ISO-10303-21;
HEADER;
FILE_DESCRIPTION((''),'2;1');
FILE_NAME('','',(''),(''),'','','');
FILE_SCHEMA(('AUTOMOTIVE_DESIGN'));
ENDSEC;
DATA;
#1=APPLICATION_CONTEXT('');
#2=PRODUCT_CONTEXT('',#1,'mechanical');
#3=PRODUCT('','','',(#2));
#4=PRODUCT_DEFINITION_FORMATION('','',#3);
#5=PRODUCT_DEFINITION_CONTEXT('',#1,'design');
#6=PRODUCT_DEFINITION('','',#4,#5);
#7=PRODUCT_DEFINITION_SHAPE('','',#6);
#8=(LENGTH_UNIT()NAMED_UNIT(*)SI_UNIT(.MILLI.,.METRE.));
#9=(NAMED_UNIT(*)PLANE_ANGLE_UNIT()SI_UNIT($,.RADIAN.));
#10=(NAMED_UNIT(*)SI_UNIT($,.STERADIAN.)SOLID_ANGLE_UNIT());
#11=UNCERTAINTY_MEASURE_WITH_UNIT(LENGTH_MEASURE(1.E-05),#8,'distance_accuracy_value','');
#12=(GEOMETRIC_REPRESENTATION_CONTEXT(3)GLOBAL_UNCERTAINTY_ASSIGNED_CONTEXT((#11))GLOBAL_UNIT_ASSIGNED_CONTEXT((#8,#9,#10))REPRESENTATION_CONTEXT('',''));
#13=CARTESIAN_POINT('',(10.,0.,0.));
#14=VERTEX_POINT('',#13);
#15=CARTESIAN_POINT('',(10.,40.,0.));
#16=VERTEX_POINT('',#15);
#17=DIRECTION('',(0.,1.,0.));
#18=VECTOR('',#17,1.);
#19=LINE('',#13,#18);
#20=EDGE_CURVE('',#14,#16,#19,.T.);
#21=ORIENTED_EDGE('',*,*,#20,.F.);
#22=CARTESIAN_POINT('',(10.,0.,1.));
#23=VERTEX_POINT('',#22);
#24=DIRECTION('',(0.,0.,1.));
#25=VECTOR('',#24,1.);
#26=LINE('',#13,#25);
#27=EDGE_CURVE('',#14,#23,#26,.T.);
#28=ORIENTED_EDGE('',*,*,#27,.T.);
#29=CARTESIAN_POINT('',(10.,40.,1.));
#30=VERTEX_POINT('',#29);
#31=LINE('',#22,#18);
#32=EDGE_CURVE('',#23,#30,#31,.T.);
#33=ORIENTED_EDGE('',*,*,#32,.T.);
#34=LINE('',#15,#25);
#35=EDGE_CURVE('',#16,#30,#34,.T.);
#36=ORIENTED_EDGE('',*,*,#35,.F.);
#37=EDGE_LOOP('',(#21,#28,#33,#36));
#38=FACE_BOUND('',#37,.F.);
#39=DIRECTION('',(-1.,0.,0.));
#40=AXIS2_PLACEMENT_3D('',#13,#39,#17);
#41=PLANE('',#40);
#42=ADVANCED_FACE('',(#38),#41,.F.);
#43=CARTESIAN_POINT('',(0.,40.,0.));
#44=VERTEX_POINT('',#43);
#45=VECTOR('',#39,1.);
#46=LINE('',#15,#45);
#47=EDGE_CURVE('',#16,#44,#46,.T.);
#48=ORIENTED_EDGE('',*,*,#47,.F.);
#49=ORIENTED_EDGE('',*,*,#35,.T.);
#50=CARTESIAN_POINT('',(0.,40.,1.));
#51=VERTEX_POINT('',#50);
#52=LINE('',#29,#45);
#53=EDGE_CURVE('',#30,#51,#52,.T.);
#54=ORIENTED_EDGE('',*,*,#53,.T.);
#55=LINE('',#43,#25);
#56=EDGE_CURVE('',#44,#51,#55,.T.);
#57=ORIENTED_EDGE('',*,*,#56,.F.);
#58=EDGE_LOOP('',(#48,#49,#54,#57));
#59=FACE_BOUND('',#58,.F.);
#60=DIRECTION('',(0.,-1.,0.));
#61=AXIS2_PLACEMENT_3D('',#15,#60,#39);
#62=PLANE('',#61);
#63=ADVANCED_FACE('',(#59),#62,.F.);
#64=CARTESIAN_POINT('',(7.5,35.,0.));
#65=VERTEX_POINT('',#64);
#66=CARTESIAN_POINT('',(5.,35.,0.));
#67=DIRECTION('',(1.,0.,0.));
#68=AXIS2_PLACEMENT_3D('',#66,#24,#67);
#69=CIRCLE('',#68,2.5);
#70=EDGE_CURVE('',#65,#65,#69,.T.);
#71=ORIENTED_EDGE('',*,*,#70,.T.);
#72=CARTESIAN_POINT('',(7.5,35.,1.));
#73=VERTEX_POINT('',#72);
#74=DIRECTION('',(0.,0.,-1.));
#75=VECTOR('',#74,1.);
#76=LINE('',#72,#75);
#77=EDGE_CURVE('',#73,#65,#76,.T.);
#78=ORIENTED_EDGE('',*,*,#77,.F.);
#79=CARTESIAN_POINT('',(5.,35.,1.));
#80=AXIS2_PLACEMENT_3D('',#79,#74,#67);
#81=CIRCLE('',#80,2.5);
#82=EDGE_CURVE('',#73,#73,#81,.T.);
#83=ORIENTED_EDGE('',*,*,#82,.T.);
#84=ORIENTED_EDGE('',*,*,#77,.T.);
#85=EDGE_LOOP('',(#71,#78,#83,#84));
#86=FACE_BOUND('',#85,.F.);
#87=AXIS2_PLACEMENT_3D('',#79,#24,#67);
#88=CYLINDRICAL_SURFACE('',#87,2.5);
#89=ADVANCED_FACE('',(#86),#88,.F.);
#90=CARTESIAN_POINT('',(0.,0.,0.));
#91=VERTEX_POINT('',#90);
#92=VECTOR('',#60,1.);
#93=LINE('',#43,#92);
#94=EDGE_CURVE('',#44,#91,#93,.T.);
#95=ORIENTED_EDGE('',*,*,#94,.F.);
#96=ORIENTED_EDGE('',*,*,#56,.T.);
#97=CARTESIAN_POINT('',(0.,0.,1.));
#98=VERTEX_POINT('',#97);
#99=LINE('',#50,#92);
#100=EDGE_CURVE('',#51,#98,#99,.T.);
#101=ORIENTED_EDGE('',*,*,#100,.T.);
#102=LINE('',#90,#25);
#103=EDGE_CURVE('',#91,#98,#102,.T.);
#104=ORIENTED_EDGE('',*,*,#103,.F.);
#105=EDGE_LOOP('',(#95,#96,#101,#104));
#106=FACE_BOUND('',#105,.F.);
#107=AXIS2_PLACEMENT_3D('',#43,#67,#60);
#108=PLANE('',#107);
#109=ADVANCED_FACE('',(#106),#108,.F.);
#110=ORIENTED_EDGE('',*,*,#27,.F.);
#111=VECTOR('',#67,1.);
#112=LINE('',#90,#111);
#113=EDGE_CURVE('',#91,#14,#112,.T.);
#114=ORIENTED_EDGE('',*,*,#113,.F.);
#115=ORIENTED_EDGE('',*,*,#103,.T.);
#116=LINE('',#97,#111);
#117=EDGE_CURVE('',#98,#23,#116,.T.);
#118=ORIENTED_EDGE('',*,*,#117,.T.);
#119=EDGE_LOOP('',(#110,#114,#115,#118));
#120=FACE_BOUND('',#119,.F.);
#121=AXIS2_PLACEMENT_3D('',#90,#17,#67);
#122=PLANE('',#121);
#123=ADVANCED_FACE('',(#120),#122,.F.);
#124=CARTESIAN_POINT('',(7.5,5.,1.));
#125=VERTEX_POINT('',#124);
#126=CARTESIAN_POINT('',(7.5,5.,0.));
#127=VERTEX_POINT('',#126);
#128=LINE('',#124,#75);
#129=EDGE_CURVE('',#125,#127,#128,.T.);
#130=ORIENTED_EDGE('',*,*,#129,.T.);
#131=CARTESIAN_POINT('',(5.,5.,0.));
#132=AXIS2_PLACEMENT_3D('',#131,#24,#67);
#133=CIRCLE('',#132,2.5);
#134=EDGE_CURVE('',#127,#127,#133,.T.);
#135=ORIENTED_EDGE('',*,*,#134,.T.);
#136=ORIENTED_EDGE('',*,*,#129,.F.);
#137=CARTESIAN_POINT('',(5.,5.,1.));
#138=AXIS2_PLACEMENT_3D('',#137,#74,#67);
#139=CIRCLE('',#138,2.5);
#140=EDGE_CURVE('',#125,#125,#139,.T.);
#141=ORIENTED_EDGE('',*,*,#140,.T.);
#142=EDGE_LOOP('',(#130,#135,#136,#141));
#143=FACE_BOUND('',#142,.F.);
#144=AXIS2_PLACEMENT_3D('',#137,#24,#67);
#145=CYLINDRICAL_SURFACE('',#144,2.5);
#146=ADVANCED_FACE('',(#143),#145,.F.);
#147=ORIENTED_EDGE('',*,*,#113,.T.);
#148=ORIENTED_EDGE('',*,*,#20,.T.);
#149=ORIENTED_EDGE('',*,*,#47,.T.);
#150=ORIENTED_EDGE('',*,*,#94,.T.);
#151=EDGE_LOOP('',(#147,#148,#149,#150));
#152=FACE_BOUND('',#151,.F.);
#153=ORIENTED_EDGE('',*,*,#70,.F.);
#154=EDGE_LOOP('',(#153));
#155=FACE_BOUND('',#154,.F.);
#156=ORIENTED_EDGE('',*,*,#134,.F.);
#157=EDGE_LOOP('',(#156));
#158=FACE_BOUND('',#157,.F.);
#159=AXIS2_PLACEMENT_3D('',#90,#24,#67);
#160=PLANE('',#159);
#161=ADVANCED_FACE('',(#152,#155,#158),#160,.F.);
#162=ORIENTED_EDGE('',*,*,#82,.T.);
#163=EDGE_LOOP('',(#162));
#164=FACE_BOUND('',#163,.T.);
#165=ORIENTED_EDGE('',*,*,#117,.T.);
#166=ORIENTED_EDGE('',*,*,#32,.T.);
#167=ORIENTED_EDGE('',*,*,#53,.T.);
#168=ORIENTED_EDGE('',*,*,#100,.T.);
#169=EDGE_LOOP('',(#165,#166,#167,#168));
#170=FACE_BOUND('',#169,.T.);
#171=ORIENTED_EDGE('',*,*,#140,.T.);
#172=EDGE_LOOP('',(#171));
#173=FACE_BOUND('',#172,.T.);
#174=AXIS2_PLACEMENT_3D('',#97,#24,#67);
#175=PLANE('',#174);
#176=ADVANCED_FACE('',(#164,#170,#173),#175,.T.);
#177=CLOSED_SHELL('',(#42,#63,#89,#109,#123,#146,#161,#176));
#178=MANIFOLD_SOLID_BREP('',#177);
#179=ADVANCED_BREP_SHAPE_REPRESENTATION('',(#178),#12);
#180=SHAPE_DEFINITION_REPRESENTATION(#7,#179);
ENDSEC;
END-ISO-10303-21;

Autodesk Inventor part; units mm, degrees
ref_plane "YZ Plane" through (0, 0, 0) normal (1, 0, 0) x (0, 1, 0)
ref_plane "XZ Plane" through (0, 0, 0) normal (0, 1, 0) x (-1, 0, 0)
ref_plane "XY Plane" through (0, 0, 0) normal (0, 0, 1) x (1, 0, 0)
sketch "Sketch1" plane through (0, 0, 0) normal (0, 0, 1) x (1, 0, 0)
  line L0 (0, 0) -> (10, 0)
  line L1 (10, 0) -> (10, 40)
  line L2 (10, 40) -> (0, 40)
  line L3 (0, 40) -> (0, 0)
  dimension "d0" = 10
  dimension "d1" = 40
extrude "Extrusion1" add sketch "Sketch1" along normal blind 1
sketch "Sketch2" plane through (0, 0, 1) normal (0, 0, 1) x (1, 0, 0)
  line L0 (10, 40) -> (0, 40) projected
  line L1 (0, 40) -> (5, 40)
  line L2 (5, 40) -> (5, 35)
  circle A0 centre (5, 35) radius 2.5
  line L3 (0, 0) -> (1, 0)
  line L4 (1, 0) -> (5, 0)
  line L5 (0, 0) -> (10, 0) projected
  line L6 (5, 0) -> (5, 5)
  circle A1 centre (5, 5) radius 2.5
  dimension "d4" = 5
  dimension "d5" = 5
  dimension "d6" = 5
  dimension "d7" = 1
  dimension "d8" = 4
  dimension "d9" = 5
  dimension "d10" = 5
extrude "Extrusion2" cut sketch "Sketch2" against normal blind 1
sketch "Sketch3" plane through (0, 0, 1) normal (0, 0, 1) x (1, 0, 0)
  circle A0 centre (4.7625, 4.7625) radius 4
  point P0 (0, 0)
  dimension "d13" = 8
properties part number "crank"
